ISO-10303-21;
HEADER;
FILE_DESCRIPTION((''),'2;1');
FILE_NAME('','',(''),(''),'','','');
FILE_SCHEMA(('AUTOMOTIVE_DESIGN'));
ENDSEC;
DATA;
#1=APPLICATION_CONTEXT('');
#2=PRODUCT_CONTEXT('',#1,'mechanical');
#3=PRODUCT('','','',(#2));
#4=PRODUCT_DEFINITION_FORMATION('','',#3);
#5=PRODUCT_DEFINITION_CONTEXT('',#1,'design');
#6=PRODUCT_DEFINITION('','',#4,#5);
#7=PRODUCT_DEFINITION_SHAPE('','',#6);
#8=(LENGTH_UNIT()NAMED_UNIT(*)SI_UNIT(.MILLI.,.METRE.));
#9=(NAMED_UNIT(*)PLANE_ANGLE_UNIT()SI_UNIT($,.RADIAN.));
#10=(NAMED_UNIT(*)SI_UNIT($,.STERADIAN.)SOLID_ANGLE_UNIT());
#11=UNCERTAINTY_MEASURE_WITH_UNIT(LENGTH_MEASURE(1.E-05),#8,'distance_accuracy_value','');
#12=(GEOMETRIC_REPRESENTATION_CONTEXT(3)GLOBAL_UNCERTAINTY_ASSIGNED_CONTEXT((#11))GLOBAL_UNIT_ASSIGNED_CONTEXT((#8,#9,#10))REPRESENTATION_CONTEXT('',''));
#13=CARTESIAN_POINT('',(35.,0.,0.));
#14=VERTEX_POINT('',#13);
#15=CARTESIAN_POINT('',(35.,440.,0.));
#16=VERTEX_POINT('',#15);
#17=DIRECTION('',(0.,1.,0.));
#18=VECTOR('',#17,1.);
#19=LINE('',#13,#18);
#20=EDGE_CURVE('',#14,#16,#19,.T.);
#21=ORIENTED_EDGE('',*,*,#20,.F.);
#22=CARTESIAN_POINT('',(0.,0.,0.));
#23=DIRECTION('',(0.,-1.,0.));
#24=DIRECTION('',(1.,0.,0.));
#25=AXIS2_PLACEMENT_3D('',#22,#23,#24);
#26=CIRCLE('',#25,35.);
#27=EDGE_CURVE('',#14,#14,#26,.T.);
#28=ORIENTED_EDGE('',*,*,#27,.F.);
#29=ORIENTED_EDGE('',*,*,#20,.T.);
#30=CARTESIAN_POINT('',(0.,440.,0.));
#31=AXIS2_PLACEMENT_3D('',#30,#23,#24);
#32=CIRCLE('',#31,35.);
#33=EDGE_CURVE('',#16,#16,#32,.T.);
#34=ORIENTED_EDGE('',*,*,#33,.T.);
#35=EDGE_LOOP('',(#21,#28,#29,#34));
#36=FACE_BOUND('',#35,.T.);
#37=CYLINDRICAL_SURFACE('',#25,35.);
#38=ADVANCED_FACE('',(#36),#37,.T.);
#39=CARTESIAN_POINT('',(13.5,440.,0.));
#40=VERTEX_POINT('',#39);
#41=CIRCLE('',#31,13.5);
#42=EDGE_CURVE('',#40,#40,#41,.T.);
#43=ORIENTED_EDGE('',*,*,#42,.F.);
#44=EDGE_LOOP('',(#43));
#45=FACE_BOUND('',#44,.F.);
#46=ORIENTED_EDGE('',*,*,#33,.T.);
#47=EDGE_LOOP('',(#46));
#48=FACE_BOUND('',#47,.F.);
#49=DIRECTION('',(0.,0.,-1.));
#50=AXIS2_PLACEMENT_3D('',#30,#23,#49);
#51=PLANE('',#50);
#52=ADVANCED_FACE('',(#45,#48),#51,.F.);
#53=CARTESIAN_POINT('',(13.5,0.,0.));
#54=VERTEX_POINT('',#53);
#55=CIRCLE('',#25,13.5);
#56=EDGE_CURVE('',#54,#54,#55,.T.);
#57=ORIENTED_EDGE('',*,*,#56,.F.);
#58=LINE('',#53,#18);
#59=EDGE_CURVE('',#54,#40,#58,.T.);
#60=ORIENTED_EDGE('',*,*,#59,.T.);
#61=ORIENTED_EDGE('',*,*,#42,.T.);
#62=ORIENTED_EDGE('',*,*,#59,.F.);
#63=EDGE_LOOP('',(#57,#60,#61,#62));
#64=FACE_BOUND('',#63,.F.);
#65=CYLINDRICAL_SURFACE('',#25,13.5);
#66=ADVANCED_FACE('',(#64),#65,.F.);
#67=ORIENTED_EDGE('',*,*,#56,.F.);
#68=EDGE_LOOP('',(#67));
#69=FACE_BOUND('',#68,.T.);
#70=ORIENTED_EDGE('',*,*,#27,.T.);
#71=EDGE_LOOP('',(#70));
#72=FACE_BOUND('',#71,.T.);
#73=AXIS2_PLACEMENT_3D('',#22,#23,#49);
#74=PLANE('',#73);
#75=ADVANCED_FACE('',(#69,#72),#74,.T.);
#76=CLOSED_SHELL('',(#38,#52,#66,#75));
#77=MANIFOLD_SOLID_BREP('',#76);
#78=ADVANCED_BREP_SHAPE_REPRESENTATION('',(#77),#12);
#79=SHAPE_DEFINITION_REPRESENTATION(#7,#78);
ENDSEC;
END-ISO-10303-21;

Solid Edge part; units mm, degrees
sketch "Sketch1" plane through (0, 0, 0) normal (0, -1, 0) x (1, 0, 0)
  circle A0 centre (0, 0) radius 13.5
  circle A1 centre (0, 0) radius 35
extrude "Protrusion1" add sketch "Sketch1" against normal blind 440
